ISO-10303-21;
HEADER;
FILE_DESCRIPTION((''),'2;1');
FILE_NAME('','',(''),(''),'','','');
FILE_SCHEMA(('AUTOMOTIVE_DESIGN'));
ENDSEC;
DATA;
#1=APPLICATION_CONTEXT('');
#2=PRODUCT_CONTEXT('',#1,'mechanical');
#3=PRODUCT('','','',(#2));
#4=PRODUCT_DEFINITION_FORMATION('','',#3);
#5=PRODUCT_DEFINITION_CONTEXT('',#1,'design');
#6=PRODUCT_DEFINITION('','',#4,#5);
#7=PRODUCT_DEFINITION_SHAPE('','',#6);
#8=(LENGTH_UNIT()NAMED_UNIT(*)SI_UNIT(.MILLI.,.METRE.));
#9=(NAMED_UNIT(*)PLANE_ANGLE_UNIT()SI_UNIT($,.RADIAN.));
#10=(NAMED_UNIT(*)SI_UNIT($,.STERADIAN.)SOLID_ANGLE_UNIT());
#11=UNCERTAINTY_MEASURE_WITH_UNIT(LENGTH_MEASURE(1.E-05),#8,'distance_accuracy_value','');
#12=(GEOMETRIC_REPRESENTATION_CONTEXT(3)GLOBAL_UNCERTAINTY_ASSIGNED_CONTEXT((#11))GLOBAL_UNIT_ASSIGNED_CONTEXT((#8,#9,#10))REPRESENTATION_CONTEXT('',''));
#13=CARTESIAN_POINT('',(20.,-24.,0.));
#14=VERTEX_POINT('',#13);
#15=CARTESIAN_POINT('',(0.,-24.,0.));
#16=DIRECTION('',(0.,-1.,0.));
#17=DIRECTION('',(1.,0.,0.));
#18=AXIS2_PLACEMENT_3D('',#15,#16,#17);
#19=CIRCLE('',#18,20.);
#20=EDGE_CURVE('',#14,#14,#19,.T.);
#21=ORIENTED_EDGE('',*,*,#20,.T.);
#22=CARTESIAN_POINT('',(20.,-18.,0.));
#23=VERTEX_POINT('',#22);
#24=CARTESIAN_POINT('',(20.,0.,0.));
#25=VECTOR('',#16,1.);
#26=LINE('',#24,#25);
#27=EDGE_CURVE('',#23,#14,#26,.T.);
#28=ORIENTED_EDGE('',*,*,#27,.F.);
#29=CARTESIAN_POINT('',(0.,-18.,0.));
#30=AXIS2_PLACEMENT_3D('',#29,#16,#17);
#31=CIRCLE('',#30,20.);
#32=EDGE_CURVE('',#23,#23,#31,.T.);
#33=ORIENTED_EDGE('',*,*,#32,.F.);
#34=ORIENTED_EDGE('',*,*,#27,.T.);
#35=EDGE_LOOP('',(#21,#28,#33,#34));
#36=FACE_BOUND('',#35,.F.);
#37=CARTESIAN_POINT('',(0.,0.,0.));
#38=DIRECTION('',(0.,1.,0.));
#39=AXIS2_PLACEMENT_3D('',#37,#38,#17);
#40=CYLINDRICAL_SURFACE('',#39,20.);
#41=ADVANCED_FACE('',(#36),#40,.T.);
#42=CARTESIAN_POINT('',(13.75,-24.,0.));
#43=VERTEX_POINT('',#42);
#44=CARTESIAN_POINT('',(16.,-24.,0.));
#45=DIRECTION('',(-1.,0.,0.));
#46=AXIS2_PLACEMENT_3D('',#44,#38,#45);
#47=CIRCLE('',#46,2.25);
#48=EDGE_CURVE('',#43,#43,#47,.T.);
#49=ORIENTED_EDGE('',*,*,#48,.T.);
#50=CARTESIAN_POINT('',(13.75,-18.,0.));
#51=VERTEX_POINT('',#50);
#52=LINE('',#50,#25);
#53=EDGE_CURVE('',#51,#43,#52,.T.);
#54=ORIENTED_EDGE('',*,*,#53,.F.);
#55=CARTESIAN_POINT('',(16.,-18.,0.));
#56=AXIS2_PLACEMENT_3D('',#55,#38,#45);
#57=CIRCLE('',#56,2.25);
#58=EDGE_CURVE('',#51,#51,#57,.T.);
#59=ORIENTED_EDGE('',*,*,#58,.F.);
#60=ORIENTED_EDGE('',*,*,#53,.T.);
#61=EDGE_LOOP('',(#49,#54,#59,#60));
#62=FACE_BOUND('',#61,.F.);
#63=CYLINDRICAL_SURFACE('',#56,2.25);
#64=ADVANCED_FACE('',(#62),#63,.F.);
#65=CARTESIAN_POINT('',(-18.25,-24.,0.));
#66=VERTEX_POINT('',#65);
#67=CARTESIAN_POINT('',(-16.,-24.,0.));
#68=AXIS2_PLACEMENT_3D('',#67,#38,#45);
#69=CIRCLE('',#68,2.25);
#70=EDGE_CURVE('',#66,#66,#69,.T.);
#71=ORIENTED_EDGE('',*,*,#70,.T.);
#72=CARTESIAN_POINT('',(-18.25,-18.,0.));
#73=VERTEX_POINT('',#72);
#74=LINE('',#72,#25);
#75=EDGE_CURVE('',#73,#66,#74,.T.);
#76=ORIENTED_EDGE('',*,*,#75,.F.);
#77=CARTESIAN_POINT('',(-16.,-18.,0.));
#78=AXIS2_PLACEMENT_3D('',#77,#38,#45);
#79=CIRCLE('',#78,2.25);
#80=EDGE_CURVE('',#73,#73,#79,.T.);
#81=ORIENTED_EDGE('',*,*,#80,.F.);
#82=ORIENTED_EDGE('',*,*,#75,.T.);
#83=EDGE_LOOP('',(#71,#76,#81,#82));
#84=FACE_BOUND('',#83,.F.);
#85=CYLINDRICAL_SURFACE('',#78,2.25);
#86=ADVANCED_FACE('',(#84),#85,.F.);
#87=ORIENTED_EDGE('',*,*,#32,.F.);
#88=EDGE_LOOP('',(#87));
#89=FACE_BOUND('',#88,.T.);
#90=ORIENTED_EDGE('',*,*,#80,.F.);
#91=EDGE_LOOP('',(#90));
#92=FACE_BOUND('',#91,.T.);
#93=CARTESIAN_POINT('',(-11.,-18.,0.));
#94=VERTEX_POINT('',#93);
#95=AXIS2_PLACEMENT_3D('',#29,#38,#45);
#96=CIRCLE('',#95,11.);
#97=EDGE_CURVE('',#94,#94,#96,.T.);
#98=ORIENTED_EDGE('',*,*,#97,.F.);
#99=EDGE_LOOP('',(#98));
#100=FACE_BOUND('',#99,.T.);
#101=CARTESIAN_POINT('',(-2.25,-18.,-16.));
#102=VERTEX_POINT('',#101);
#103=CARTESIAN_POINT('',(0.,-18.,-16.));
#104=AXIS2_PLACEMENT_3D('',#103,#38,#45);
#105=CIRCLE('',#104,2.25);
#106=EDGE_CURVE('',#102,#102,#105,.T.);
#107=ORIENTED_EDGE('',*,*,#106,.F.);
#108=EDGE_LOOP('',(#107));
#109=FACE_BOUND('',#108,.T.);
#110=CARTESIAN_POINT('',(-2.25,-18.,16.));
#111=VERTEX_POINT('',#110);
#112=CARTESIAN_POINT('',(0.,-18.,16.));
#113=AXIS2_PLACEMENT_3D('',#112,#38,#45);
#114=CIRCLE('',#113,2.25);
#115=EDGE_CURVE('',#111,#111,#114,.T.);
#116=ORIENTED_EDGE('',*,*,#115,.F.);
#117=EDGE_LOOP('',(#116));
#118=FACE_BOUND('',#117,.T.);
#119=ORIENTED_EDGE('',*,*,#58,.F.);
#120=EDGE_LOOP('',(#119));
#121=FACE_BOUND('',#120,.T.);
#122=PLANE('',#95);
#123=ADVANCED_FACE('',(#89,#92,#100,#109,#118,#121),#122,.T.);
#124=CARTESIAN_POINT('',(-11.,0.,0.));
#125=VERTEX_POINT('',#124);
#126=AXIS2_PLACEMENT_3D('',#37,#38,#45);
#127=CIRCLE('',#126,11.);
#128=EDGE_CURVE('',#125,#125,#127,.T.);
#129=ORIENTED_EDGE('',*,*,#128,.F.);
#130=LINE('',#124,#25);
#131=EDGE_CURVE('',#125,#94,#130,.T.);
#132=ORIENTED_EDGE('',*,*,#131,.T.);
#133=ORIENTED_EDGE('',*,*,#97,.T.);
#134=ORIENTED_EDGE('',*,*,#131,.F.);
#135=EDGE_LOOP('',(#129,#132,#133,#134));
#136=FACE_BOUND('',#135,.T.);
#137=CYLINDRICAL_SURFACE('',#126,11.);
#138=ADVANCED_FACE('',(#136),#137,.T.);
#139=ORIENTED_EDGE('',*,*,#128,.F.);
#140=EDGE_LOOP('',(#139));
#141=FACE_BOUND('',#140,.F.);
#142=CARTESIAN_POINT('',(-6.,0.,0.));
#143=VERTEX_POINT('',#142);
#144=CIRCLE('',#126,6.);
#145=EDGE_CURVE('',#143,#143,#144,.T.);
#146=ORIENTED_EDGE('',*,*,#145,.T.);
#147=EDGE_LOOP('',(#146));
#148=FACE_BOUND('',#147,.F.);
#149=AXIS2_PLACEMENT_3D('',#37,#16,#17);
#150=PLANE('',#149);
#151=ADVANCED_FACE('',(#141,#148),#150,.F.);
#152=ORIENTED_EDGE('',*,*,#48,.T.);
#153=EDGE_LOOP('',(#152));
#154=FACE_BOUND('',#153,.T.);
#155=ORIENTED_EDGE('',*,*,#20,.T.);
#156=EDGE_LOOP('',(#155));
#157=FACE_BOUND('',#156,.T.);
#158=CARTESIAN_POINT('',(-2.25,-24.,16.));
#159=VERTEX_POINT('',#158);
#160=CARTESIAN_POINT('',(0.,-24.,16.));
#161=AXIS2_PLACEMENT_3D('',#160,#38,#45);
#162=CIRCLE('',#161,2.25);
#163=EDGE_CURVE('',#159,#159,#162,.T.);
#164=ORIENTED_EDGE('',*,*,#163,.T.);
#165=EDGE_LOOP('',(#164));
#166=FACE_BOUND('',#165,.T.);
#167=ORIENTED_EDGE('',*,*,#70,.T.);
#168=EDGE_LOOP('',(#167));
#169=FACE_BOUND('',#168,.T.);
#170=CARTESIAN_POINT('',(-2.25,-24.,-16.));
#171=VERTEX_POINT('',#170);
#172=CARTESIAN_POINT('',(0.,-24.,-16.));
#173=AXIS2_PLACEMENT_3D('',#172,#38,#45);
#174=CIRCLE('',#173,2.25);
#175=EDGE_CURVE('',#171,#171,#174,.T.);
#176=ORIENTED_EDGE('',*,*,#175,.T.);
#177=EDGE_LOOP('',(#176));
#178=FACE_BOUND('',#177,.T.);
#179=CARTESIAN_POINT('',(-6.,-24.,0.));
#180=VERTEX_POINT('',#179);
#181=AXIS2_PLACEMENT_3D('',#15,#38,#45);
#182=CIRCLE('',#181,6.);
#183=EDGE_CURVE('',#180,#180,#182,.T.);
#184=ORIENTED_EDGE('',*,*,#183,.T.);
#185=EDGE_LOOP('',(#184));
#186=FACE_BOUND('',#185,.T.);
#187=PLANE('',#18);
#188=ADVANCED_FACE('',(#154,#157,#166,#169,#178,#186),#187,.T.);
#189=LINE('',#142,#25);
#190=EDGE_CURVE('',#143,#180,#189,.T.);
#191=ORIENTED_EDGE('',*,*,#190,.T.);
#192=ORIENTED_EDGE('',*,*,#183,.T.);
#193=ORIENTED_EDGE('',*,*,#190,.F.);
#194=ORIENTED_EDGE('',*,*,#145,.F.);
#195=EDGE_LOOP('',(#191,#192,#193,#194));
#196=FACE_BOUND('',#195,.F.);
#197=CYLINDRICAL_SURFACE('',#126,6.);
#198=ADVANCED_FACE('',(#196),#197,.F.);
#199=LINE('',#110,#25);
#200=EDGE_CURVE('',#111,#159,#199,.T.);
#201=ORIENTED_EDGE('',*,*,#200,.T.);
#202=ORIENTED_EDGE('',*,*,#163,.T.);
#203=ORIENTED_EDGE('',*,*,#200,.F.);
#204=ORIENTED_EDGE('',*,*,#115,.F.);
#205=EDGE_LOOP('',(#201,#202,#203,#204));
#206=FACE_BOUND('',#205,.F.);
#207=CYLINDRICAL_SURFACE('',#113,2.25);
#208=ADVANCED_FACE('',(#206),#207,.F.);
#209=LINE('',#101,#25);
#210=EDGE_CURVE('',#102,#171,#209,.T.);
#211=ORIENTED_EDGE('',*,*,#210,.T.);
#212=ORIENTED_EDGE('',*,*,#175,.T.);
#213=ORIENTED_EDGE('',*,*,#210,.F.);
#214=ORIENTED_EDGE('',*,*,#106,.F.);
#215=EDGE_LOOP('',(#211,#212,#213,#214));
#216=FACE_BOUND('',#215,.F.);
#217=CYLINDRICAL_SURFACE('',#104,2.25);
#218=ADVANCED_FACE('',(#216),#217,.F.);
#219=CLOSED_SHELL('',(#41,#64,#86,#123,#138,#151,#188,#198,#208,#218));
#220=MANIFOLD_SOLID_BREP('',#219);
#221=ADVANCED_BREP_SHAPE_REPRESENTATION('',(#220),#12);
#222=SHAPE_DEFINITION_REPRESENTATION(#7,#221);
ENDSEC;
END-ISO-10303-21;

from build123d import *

# Parameters (mm, degrees)
F0_R     = 20
F0_R_2   = 11
F0_R_3   = 6
F1_DEPTH = 24
F2_R     = 6
F3_DEPTH = 24.001
F4_R     = 20
F4_R_2   = 11
F5_DEPTH = 18
F6_R     = 2.25
F7_DEPTH = 6.001


with BuildPart() as f1:
    # F0 (on Front) → F1 (new body)
    with BuildSketch(Plane.XZ):
        Circle(F0_R)
        Circle(F0_R_2, mode=Mode.SUBTRACT)
        Circle(F0_R_2)
        Circle(F0_R_3, mode=Mode.SUBTRACT)
        Circle(F0_R_3)
    extrude(amount=F1_DEPTH)

    # F2 (on face) → F3 (cut, through all)
    with BuildSketch(Plane(origin=(0, 0, 0), x_dir=(-1, 0, 0), z_dir=(0, 1, 0))):
        Circle(F2_R)
    extrude(amount=-F3_DEPTH, mode=Mode.SUBTRACT)

    # F4 (on face) → F5 (cut)
    with BuildSketch(Plane(origin=(0, 0, 0), x_dir=(-1, 0, 0), z_dir=(0, 1, 0))):
        Circle(F4_R)
        Circle(F4_R_2, mode=Mode.SUBTRACT)
    extrude(amount=-F5_DEPTH, mode=Mode.SUBTRACT)

    # F6 (on face) → F7 (cut, through all)
    with BuildSketch(Plane(origin=(0, -18, 0), x_dir=(-1, 0, 0), z_dir=(0, 1, 0))):
        with Locations((-16, 0)):
            Circle(F6_R)
        with Locations((0, -16)):
            Circle(F6_R)
        with Locations((16, 0)):
            Circle(F6_R)
        with Locations((0, 16)):
            Circle(F6_R)
    extrude(amount=-F7_DEPTH, mode=Mode.SUBTRACT)


solid = f1.part
